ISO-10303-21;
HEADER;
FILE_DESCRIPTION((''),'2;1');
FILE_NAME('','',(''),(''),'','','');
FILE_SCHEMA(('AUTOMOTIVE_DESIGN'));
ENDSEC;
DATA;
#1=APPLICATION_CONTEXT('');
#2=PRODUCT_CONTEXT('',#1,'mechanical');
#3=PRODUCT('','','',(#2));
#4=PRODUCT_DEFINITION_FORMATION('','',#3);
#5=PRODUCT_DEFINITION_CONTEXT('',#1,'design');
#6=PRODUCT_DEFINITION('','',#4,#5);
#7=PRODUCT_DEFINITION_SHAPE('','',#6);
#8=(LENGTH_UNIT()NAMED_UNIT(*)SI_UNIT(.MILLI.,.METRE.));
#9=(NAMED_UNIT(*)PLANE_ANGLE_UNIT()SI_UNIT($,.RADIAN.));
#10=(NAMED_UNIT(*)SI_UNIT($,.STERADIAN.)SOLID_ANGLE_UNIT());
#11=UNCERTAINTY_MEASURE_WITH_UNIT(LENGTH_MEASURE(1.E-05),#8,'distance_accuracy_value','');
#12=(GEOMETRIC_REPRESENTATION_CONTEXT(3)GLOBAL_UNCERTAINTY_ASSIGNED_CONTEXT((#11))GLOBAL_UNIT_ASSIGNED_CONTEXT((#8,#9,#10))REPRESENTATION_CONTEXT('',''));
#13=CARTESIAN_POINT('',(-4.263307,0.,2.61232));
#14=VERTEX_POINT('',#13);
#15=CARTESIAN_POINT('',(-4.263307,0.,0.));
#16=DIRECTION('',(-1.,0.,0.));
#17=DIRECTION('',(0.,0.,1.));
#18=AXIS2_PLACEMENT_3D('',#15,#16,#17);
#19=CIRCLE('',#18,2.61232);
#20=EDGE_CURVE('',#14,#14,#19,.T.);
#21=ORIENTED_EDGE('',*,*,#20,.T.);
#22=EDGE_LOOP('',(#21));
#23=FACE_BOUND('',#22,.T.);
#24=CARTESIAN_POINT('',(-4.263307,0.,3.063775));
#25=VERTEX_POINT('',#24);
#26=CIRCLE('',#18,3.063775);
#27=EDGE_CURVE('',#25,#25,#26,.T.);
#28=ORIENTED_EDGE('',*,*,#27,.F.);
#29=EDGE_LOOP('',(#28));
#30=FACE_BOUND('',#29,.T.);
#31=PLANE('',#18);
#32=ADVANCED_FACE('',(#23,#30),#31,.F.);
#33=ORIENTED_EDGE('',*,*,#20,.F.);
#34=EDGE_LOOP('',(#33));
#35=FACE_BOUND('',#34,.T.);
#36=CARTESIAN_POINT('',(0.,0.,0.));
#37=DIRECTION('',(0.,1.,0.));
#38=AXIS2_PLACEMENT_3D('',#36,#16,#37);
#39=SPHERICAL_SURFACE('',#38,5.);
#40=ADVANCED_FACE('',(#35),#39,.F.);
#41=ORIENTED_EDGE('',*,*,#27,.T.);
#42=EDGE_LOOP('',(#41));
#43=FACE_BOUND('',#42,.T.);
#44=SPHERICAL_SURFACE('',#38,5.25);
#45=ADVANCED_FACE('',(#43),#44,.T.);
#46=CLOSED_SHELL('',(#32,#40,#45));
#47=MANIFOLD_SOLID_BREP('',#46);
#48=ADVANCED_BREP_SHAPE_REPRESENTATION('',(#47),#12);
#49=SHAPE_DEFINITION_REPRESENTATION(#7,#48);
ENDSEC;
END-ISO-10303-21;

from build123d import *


with BuildPart() as part:
    # Sketch1 → Revolve1 (revolve)
    with BuildSketch(Plane.XY):
        with BuildLine():
            ThreePointArc((-4.263306591, 3.063774944), (-4.99724222, 1.609369503), (-5.25, 0))
            Line((-5.25, 0), (-5, 0))
            ThreePointArc((-5, 0), (-4.812303656, 1.357104831), (-4.263306591, 2.612320215))
            Line((-4.263306591, 2.612320215), (-4.263306591, 3.063774944))
        make_face()
    revolve(axis=Axis((-5, 0, 0), (1, 0, 0)))


solid = part.part
